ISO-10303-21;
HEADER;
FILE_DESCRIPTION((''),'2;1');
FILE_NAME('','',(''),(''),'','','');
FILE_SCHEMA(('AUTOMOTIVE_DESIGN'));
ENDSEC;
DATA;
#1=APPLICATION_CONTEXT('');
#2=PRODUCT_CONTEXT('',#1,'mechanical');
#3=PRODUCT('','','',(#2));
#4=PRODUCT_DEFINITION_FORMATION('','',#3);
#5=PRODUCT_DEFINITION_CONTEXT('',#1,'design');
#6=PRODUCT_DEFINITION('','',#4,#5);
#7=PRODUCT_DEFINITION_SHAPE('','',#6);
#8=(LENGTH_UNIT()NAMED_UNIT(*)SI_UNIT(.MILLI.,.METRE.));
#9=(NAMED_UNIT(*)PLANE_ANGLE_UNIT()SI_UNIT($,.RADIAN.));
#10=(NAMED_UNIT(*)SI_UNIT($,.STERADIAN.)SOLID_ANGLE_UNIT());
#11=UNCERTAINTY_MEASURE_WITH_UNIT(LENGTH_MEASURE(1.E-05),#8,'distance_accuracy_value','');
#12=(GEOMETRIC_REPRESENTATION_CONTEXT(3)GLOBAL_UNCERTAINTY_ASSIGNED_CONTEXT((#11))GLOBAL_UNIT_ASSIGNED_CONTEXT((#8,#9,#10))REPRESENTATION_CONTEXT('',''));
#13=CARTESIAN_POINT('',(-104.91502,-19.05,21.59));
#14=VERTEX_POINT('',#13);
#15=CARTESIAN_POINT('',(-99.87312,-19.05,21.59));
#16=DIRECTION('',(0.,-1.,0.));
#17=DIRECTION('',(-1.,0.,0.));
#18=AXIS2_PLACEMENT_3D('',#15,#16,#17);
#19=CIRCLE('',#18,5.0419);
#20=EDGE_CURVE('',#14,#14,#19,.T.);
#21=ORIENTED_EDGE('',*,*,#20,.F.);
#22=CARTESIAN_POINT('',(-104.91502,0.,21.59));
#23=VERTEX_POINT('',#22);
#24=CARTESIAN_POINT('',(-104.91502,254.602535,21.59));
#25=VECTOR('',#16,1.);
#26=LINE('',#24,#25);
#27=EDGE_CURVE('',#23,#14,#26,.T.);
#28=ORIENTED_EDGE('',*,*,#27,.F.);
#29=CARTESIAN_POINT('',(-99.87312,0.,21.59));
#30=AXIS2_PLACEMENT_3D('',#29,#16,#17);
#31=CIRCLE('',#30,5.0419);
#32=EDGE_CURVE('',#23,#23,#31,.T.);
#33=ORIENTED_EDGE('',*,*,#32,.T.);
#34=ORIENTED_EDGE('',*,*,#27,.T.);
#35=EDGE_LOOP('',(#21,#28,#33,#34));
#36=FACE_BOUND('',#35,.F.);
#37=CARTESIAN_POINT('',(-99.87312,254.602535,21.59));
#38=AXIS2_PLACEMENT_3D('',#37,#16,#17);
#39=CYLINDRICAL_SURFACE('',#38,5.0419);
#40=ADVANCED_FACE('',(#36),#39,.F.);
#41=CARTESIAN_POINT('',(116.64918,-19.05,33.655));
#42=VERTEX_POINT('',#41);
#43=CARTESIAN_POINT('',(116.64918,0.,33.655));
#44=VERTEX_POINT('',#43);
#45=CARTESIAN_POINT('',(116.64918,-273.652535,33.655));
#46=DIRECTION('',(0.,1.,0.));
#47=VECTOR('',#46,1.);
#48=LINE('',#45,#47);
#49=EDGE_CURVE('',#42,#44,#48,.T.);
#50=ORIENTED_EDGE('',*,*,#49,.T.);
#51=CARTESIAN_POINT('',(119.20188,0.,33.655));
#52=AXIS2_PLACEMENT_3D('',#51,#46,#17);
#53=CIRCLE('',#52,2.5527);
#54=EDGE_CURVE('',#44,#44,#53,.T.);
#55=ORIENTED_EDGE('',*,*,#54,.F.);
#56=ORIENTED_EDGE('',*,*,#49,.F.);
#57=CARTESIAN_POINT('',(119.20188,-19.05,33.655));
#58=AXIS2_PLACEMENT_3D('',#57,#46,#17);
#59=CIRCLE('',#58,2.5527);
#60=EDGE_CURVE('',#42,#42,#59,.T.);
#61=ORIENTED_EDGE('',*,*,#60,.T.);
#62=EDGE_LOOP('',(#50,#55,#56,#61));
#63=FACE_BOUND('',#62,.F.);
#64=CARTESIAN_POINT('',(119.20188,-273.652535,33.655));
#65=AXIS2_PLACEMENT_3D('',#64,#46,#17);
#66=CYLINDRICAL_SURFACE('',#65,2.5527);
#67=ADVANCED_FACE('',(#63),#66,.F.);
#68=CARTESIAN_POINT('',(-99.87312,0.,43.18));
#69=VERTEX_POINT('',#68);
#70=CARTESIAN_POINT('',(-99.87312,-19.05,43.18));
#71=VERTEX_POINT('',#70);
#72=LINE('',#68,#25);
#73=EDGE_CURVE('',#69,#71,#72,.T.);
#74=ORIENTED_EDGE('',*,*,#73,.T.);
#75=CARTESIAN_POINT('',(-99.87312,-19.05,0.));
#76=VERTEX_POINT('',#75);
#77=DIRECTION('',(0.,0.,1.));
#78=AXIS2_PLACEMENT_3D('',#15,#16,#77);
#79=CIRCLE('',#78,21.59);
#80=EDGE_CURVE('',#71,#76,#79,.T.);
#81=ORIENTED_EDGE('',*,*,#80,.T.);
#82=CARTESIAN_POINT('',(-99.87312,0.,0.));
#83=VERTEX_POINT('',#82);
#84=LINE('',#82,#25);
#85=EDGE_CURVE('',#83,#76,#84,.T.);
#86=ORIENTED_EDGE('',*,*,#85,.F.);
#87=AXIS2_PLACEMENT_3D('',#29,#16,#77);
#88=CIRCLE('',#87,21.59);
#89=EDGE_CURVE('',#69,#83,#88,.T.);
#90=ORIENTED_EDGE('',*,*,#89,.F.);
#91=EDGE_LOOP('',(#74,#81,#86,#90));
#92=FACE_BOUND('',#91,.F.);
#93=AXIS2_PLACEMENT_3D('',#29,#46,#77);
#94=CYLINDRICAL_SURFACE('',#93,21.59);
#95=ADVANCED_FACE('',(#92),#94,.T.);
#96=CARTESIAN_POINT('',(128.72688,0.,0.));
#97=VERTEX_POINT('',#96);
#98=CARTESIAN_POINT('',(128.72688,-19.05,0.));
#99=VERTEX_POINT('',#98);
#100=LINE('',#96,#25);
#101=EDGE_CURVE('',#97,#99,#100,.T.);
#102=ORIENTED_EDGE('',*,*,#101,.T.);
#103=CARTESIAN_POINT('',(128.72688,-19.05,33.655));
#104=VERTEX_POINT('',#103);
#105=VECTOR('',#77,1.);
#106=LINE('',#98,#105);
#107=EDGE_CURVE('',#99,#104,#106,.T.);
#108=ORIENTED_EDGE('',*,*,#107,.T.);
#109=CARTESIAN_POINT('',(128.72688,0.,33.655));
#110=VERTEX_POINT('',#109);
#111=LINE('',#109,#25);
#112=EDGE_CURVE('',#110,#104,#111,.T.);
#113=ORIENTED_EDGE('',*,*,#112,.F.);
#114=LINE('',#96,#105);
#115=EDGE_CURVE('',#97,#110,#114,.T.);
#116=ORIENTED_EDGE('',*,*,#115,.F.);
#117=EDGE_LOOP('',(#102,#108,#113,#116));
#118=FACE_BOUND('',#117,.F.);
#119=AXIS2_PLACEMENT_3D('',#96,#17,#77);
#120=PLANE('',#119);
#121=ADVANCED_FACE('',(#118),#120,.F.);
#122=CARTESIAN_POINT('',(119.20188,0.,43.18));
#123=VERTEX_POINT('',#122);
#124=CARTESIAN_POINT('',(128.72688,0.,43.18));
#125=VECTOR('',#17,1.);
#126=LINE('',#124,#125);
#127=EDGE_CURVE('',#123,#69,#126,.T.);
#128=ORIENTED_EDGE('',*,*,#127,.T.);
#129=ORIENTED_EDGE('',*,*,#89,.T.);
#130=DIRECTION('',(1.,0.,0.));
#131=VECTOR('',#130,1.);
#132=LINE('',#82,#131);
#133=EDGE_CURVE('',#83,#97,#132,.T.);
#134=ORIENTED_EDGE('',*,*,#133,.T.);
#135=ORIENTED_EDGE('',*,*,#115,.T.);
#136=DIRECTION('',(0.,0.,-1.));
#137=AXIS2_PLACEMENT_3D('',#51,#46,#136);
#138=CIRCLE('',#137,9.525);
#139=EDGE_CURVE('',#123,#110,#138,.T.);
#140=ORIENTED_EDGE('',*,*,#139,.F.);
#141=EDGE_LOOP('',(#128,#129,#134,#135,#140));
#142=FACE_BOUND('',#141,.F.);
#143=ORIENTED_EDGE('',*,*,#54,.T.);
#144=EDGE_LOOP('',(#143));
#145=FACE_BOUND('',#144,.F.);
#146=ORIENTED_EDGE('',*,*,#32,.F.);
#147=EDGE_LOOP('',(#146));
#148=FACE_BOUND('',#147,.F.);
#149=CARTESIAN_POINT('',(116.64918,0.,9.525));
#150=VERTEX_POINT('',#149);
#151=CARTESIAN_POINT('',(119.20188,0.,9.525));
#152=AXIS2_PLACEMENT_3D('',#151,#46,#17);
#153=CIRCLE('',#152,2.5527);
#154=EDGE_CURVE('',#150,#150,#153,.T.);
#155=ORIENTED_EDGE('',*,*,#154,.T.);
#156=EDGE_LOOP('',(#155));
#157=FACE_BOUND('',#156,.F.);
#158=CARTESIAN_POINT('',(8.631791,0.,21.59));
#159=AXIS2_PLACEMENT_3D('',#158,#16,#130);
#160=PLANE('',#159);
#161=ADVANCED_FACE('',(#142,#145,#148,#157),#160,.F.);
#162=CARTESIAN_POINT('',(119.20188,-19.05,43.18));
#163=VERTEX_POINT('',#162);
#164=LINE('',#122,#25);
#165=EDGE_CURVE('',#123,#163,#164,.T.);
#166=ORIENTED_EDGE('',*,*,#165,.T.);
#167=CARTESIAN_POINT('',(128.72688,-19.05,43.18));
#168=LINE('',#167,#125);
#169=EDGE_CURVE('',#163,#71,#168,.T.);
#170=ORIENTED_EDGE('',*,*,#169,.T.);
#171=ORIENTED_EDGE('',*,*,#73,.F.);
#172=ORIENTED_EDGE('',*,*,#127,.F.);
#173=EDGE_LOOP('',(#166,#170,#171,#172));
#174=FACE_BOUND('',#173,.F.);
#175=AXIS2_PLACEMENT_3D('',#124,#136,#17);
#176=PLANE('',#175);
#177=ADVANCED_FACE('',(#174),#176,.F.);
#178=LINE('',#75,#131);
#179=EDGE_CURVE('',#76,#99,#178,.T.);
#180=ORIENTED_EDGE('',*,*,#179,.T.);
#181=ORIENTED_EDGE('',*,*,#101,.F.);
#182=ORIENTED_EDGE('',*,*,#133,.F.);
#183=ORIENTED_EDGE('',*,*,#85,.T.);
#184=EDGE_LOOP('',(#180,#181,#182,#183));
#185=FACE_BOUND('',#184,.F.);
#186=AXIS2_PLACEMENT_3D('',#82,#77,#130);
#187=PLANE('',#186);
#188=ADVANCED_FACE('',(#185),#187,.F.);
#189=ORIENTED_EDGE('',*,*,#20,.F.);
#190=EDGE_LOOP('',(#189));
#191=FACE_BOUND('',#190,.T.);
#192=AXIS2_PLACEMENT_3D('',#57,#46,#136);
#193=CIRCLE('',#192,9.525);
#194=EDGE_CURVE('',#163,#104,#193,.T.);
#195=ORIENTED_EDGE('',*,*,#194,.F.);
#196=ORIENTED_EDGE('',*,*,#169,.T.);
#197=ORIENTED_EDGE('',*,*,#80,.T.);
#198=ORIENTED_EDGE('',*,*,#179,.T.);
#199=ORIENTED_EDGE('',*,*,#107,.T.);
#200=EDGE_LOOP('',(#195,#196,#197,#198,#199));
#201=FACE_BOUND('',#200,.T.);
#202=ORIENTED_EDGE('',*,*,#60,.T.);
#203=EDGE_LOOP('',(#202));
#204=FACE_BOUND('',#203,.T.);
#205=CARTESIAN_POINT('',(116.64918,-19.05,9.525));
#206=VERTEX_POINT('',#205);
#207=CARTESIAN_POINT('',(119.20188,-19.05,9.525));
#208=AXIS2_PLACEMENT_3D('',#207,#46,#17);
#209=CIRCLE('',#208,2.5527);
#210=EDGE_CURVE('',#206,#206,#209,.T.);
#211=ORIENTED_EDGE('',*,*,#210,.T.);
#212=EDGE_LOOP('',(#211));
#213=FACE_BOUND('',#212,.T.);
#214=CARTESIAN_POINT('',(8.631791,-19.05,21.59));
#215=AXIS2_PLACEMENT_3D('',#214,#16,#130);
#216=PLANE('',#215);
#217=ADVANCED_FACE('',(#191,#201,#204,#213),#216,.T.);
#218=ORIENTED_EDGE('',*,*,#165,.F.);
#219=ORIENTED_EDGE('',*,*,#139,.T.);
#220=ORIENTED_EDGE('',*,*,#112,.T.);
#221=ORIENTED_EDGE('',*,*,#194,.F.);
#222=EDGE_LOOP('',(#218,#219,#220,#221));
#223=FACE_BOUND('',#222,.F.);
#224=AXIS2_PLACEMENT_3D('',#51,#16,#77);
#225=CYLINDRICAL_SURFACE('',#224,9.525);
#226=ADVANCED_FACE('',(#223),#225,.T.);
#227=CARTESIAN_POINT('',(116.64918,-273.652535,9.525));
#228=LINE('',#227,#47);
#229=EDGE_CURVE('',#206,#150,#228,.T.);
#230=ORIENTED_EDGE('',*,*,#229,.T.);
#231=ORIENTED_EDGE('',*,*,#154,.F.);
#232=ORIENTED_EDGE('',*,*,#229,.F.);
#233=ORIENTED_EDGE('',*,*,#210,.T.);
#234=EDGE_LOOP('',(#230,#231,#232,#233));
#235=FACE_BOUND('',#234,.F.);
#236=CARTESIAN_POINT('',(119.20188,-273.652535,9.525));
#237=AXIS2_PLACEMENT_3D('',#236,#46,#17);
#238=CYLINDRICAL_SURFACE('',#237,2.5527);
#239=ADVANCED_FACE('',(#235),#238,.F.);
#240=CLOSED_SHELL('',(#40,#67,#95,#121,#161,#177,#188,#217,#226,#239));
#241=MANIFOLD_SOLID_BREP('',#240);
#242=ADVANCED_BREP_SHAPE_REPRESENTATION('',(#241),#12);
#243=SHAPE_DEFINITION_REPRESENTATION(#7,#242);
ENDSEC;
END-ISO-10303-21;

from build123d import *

# Parameters (mm, degrees)
F1_DEPTH = 19.05
F2_D     = 10.0838
F3_R     = 9.525
F5_D     = 5.1054


with BuildPart() as f1:
    # F0 (on Front) → F1 (new body)
    with BuildSketch(Plane.XZ):
        with BuildLine():
            Line((128.7268799004, 43.18), (-99.8731200996, 43.18))
            ThreePointArc((-99.8731200996, 43.18), (-121.4631200996, 21.59), (-99.8731200996, 0))
            Line((-99.8731200996, 0), (128.7268799004, 0))
            Line((128.7268799004, 0), (128.7268799004, 43.18))
        make_face()
    extrude(amount=F1_DEPTH)

    # F2 (through all)
    with Locations(Plane(origin=(0, 0, 0), x_dir=(1, 0, 0), z_dir=(0, 1, 0))):
        with Locations((-99.8731200996, -21.59)):
            Hole(F2_D / 2)

    # F3
    f3_edges = [f1.edges().sort_by_distance(p)[0] for p in [
        (128.72688, -9.525, 43.18),
    ]]
    fillet(f3_edges, radius=F3_R)

    # F5 (through all)
    with Locations(Plane.XZ.offset(19.05)):
        with Locations((119.2018799004, 33.655), (119.2018799004, 9.525)):
            Hole(F5_D / 2)


solid = f1.part
